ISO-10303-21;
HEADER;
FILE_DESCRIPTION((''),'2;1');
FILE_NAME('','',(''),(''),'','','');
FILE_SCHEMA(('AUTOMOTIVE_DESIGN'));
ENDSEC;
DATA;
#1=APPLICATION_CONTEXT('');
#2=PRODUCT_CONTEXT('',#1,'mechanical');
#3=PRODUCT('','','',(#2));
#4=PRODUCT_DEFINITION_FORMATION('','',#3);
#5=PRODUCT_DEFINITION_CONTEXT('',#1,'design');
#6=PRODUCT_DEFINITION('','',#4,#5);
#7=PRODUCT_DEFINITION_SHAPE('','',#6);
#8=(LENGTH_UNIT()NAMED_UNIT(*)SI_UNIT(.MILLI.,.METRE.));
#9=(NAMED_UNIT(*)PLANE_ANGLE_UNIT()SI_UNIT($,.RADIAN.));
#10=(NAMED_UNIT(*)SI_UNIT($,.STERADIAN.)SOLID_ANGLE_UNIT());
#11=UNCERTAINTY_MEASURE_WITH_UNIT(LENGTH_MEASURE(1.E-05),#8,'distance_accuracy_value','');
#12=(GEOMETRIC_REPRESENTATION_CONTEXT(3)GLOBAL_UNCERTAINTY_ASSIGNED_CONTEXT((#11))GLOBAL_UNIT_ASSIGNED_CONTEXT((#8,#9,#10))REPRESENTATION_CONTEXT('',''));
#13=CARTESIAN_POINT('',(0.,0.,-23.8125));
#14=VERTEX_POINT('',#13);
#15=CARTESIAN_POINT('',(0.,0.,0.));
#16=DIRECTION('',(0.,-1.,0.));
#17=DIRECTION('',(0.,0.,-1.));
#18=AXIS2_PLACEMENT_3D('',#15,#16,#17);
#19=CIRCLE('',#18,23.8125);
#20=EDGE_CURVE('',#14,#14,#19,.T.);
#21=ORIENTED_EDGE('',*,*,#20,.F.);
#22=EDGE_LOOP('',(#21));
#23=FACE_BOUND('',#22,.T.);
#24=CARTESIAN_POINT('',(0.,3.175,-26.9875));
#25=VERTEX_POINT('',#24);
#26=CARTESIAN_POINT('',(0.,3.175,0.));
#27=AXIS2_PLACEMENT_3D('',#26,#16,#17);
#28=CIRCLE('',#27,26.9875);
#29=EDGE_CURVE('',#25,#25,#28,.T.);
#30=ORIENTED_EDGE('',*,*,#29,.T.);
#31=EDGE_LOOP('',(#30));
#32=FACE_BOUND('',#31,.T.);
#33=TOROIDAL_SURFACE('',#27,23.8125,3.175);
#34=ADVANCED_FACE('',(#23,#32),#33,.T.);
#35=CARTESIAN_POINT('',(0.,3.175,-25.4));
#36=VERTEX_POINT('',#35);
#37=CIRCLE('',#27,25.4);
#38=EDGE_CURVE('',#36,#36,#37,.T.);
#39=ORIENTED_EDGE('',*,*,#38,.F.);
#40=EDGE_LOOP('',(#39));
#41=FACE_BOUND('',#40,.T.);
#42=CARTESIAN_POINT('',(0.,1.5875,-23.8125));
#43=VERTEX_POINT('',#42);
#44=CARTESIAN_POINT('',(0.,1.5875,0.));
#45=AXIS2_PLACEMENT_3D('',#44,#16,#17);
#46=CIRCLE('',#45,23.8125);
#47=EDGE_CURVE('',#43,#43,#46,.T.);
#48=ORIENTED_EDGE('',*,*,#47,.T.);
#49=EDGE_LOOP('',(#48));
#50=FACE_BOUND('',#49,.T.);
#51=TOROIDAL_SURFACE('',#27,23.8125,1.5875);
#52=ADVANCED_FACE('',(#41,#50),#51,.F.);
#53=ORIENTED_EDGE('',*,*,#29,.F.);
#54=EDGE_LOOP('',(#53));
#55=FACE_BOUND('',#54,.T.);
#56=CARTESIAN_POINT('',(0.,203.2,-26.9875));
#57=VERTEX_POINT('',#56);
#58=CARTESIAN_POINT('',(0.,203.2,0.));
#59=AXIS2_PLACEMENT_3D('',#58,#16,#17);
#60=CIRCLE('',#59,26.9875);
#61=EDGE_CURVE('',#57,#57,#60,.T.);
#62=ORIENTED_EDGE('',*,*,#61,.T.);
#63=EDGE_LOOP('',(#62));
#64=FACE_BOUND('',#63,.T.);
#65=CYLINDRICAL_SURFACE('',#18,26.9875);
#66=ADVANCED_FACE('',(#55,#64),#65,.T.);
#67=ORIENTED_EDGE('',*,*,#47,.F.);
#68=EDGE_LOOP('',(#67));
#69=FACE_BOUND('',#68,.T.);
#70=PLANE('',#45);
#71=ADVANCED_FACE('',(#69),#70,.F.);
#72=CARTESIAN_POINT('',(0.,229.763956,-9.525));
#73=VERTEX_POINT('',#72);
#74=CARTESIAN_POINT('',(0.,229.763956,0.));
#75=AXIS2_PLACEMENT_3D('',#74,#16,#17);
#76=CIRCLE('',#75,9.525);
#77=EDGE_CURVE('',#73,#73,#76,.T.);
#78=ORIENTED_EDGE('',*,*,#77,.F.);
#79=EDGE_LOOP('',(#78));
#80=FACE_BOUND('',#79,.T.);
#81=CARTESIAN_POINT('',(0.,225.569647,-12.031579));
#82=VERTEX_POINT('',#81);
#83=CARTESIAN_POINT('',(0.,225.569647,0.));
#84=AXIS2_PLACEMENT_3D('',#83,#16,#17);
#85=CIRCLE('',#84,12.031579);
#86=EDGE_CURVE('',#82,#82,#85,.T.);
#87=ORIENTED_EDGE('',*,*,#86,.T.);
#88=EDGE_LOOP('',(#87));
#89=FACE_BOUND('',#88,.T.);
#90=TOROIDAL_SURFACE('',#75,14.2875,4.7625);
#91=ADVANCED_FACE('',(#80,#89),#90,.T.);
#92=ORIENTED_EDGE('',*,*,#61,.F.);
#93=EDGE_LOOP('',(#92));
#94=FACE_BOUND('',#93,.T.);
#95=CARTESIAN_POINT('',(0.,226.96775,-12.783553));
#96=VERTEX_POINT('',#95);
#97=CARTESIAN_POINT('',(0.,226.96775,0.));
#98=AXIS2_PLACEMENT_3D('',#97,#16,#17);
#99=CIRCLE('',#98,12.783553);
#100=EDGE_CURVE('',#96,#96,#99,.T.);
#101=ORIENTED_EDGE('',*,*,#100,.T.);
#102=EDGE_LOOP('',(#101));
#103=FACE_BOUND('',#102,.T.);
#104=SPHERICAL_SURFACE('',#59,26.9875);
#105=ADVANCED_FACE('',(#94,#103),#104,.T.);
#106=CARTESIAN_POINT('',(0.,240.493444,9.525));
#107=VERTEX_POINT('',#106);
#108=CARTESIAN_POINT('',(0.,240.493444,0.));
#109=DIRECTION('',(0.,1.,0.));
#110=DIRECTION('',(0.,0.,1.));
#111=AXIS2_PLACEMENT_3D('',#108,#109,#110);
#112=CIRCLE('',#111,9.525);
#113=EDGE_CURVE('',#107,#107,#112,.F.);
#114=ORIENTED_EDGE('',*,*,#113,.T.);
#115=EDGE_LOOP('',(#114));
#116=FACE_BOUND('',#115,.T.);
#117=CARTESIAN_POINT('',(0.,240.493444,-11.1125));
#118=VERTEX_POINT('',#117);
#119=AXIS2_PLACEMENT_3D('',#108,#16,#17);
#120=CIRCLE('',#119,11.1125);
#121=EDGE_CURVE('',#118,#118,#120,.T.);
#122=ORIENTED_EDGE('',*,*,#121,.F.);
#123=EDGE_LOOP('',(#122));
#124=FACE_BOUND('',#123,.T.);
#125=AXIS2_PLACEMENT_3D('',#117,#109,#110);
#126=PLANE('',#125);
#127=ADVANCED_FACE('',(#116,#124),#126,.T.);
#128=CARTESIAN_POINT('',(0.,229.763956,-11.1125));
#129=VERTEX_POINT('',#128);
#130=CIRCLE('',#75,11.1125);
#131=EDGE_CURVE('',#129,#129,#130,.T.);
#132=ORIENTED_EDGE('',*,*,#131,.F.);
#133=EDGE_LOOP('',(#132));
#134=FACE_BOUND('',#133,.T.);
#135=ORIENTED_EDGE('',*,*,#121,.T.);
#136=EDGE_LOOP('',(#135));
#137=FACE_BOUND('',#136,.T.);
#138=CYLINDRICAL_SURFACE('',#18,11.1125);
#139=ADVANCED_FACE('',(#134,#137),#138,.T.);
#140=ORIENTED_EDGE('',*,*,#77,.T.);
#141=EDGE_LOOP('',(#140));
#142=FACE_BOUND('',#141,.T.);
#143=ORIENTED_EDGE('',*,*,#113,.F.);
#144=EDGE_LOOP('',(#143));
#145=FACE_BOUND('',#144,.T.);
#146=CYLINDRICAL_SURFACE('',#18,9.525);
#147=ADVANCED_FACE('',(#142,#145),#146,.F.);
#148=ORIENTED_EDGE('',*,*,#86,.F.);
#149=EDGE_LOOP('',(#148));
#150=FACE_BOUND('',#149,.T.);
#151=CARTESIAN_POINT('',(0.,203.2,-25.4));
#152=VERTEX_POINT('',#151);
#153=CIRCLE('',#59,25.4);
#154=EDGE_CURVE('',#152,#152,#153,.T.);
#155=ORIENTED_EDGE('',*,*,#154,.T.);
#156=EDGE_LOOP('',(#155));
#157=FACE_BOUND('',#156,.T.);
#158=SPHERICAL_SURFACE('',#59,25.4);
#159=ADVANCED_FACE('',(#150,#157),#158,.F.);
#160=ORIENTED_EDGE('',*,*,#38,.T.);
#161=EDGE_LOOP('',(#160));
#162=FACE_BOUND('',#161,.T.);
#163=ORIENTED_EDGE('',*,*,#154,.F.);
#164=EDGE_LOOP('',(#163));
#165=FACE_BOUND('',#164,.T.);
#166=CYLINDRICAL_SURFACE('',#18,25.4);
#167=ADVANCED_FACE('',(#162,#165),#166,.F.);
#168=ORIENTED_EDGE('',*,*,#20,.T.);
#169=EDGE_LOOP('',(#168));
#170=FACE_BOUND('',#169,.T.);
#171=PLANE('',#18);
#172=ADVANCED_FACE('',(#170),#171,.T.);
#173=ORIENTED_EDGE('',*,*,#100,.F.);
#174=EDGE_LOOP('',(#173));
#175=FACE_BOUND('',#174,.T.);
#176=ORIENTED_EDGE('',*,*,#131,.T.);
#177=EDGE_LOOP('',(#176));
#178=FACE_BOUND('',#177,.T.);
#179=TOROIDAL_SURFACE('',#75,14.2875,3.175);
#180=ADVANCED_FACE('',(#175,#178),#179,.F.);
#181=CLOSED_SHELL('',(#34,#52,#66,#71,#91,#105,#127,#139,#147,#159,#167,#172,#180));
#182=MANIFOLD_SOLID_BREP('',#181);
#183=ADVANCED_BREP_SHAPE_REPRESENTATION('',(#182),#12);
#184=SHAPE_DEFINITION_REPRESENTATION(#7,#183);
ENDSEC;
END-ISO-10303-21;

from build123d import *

# Parameters (mm, degrees)
SHELL2_T = -1.5875


with BuildPart() as part:
    # Sketch4 → Revolve2 (revolve)
    with BuildSketch(Plane(origin=(0, 0, 0), x_dir=(0, 0, -1), z_dir=(1, 0, 0))):
        with BuildLine():
            Line((0, 0), (23.8125, 0))
            ThreePointArc((23.8125, 0), (26.05756403, 0.92993597), (26.9875, 3.175))
            Line((26.9875, 3.175), (26.9875, 203.2))
            ThreePointArc((26.9875, 203.2), (23.165937094, 217.044295388), (12.783552632, 226.967749964))
            ThreePointArc((12.783552632, 226.967749964), (11.562095636, 228.135215209), (11.1125, 229.763955842))
            Line((11.1125, 229.763955842), (11.1125, 240.493444248))
            Line((11.1125, 240.493444248), (0, 240.493444248))
            Line((0, 240.493444248), (0, 0))
        make_face()
    revolve(axis=Axis((0, 0, 0), (0, 1, 0)))

    # Shell2
    shell2_openings = [part.faces().sort_by_distance(p)[0] for p in [
        (0, 240.493444248, 0),
    ]]
    offset(amount=SHELL2_T, openings=shell2_openings, kind=Kind.INTERSECTION)


solid = part.part
